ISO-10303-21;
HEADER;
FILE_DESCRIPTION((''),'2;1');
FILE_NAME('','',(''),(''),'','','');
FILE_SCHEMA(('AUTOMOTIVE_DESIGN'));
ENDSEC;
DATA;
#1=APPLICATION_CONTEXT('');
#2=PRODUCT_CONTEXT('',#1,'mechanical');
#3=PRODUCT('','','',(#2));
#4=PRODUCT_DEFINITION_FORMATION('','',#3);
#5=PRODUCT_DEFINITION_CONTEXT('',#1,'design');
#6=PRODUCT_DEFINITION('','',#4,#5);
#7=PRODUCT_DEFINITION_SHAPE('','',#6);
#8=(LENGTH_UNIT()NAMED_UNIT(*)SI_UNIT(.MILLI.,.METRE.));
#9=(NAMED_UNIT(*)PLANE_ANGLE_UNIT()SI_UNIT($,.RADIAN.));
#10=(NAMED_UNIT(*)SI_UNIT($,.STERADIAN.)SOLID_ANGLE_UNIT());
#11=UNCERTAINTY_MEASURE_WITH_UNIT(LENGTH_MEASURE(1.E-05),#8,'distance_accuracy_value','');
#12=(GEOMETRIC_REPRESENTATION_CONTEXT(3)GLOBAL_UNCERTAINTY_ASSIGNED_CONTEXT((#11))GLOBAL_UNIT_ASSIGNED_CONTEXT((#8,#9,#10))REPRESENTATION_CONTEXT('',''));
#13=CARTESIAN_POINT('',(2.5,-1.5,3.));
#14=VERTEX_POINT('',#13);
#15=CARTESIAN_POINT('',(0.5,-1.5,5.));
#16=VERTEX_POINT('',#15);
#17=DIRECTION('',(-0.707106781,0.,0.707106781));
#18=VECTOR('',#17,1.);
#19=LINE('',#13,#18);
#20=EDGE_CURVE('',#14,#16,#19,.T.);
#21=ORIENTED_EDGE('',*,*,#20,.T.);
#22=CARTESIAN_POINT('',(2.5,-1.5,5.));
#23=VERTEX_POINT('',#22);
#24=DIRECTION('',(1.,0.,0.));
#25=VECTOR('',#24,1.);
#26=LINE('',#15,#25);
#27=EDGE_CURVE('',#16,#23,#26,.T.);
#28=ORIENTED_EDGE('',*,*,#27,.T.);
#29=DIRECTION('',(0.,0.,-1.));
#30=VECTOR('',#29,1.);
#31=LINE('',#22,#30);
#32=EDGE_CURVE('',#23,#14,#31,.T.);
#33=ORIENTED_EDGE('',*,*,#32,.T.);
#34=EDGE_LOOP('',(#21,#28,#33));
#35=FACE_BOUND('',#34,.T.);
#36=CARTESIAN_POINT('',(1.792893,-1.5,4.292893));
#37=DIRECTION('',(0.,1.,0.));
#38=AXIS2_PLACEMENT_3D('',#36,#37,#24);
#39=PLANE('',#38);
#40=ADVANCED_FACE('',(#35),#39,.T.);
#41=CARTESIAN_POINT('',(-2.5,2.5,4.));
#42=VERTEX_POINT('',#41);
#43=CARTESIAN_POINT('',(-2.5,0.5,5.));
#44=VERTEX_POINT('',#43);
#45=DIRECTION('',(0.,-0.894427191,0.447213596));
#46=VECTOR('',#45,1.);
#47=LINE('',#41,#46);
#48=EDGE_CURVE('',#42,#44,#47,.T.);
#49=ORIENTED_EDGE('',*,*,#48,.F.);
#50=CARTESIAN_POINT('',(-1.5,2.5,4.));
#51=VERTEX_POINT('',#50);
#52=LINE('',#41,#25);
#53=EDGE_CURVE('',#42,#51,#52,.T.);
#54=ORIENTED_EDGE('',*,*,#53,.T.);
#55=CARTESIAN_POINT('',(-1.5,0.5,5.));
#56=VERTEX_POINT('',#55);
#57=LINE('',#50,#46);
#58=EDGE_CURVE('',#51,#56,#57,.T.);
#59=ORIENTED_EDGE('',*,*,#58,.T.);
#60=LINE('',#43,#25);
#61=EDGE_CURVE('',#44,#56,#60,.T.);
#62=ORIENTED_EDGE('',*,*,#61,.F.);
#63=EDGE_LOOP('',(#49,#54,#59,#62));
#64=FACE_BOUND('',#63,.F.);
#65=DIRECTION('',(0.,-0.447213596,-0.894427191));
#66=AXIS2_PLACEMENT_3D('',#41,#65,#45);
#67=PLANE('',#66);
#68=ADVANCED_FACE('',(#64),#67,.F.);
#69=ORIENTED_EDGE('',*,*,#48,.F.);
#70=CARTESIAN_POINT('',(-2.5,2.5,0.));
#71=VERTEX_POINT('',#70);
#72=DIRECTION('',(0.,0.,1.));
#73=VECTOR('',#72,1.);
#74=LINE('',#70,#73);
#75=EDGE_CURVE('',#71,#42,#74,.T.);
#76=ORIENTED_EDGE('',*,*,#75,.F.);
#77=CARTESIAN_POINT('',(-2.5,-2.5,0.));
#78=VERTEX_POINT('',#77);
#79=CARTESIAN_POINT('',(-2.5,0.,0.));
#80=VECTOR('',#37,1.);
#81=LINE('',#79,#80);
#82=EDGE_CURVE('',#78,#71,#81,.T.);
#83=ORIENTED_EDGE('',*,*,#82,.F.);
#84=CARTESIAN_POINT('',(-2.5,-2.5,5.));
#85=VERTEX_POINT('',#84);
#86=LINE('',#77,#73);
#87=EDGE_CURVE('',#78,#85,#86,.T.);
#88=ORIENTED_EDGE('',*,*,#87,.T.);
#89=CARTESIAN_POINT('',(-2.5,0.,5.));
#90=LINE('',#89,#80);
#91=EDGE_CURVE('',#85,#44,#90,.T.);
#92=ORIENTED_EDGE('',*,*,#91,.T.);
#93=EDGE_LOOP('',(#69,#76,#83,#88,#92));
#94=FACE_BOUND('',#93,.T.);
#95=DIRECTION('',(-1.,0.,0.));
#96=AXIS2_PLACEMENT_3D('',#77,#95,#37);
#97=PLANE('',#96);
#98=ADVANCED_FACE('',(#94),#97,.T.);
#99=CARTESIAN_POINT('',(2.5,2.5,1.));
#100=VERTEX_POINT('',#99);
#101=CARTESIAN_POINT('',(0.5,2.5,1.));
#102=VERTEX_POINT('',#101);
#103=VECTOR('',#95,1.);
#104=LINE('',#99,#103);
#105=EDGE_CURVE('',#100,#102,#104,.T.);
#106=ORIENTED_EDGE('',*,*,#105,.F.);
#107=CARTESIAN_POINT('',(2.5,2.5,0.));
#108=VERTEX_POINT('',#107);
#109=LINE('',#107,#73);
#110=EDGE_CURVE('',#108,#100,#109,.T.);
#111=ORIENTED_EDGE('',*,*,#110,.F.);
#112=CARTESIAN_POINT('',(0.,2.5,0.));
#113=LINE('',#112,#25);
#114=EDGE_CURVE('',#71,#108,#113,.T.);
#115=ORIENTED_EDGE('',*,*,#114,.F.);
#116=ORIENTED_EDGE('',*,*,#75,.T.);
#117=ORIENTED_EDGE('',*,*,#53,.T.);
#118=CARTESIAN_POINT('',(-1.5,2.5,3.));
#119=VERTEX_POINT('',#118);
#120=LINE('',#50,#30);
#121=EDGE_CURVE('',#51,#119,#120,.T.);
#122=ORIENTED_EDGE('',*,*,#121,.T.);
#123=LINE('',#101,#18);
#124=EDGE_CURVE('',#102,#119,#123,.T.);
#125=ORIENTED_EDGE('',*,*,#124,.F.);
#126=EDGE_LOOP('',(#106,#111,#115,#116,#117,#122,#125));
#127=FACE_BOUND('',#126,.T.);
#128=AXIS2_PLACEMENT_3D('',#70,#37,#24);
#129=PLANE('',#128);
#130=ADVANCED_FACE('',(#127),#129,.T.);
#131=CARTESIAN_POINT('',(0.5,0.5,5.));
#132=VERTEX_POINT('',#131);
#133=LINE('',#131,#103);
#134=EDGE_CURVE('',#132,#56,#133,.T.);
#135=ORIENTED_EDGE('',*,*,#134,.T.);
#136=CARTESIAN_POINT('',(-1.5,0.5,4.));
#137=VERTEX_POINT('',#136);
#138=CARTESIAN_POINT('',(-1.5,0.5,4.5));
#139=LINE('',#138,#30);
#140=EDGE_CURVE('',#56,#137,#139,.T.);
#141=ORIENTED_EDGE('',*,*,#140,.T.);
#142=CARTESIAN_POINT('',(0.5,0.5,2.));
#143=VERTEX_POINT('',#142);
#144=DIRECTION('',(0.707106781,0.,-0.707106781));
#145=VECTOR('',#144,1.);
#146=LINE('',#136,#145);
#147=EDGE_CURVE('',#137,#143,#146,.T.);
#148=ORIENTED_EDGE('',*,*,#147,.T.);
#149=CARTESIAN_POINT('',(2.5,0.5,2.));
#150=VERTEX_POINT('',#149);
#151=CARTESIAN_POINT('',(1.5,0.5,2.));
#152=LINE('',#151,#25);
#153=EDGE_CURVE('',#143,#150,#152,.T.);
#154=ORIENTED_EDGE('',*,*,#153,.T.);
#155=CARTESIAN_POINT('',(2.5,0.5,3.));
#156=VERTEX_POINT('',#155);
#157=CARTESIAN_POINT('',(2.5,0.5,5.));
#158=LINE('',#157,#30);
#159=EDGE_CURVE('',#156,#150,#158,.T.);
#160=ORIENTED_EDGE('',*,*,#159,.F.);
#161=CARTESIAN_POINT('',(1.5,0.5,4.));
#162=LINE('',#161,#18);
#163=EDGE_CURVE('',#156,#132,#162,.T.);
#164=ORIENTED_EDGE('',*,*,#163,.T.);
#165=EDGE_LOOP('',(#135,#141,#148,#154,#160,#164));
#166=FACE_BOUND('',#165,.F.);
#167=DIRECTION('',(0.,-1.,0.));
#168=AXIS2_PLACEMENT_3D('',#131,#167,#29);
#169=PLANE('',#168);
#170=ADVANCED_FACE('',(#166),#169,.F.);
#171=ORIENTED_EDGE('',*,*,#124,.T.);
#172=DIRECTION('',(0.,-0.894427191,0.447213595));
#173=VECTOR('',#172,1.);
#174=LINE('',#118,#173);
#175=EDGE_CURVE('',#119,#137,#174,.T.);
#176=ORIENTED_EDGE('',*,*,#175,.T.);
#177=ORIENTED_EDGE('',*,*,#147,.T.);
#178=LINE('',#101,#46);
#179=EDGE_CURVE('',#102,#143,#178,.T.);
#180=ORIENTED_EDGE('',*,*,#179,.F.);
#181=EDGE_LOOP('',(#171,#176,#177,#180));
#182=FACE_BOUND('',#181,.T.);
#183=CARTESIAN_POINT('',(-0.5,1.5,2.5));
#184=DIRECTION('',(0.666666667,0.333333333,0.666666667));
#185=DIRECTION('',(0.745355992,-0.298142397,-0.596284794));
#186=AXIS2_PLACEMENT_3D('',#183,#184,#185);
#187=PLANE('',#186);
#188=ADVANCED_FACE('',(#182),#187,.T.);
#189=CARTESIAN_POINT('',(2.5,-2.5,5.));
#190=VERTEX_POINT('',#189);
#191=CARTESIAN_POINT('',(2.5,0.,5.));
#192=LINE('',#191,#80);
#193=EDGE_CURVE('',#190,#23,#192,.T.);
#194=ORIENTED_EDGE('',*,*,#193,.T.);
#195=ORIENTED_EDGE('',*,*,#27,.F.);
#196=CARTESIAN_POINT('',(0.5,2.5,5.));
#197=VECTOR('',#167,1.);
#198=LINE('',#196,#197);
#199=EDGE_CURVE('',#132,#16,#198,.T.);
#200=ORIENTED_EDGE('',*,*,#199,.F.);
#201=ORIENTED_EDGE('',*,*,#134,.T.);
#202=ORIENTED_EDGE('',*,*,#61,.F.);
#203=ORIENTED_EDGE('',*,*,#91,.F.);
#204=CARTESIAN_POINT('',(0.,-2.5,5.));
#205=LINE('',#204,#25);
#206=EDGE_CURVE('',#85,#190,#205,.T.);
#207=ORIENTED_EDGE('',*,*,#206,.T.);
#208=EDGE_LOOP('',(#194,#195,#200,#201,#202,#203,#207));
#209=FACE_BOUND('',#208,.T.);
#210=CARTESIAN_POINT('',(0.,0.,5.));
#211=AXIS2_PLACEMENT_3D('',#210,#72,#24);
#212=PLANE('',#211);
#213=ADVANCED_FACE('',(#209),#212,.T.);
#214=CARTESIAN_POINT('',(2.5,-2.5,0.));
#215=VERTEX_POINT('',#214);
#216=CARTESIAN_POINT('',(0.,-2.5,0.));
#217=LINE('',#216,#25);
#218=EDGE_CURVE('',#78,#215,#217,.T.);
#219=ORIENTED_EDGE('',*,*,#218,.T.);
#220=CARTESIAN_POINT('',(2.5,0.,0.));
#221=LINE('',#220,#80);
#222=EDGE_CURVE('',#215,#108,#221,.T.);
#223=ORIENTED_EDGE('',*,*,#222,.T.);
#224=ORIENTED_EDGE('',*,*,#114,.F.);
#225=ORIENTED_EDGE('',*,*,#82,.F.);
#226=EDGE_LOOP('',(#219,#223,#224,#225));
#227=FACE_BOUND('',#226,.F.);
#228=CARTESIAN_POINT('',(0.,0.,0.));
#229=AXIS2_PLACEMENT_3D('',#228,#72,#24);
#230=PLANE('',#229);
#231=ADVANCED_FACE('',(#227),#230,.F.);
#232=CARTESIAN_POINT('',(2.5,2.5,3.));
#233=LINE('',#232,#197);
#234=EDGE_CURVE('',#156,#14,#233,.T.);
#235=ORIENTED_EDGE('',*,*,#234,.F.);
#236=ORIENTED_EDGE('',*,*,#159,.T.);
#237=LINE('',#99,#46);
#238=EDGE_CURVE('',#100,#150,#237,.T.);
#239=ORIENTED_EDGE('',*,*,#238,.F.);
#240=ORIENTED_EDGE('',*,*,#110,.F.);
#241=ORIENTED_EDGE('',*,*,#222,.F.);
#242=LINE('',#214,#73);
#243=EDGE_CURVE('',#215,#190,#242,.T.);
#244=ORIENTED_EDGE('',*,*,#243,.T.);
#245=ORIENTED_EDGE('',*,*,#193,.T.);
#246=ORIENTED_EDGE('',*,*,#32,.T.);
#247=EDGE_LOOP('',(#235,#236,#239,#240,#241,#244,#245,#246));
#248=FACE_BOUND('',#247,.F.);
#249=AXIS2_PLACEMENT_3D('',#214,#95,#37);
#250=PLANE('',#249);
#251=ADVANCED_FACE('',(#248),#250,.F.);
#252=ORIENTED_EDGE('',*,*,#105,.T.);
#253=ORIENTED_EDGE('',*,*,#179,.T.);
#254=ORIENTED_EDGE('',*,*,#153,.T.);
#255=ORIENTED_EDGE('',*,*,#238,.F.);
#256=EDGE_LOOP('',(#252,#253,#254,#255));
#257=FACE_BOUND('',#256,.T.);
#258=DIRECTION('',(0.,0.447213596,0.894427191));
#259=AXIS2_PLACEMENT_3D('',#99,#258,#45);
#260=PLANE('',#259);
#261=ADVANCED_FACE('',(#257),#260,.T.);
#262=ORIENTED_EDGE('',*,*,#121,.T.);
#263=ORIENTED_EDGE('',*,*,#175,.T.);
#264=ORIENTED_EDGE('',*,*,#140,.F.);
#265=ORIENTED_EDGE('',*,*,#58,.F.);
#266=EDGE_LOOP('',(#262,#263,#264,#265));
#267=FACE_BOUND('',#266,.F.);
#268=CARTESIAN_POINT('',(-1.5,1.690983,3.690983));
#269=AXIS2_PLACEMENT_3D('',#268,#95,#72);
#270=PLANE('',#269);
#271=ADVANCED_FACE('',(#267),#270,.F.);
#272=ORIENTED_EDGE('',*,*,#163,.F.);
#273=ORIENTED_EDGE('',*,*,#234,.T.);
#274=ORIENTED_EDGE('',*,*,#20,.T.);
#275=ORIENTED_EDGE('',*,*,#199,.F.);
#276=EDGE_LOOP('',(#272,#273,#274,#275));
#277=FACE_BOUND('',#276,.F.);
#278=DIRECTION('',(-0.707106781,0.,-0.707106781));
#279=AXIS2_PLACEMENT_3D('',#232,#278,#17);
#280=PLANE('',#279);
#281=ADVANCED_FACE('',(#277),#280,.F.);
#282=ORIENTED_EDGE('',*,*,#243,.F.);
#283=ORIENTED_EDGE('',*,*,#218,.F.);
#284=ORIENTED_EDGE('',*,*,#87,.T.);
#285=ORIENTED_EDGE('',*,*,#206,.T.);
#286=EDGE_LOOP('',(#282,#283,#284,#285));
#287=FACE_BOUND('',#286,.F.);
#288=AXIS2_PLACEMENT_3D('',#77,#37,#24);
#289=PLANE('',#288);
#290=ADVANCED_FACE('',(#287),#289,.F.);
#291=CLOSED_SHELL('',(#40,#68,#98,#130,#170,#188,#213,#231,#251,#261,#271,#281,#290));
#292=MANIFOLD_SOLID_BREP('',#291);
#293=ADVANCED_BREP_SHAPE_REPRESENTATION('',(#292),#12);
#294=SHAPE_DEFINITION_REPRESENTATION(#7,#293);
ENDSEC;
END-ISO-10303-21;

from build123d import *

# Parameters (mm, degrees)
SKETCH1_W           = 5
SKETCH1_H           = 5
BOSS_EXTRUDE1_DEPTH = 5
CUT_EXTRUDE1_DEPTH  = 4
CUT_EXTRUDE2_DEPTH  = 1
SKETCH5_W           = 2
SKETCH5_H           = 2
CUT_EXTRUDE9_DEPTH  = 3
CUT_EXTRUDE10_DEPTH = 2
SKETCH11_W          = 1
SKETCH11_H          = 2
CUT_EXTRUDE11_DEPTH = 2
CUT_EXTRUDE14_DEPTH = 5
CUT_EXTRUDE15_DEPTH = 2
CUT_EXTRUDE16_DEPTH = 2


with BuildPart() as part:
    # Sketch1 → Boss-Extrude1 (new body)
    with BuildSketch(Plane.XY):
        Rectangle(SKETCH1_W, SKETCH1_H)
    extrude(amount=BOSS_EXTRUDE1_DEPTH)

    # Sketch2 → Cut-Extrude1 (cut)
    with BuildSketch(Plane(origin=(0, 2.5, 0), x_dir=(1, 0, 0), z_dir=(0, 1, 0))):
        Polygon((2.5, -5), (2.5, -3), (0.5, -5), align=None)
    extrude(amount=-CUT_EXTRUDE1_DEPTH, mode=Mode.SUBTRACT)

    # Sketch4 → Cut-Extrude2 (cut)
    with BuildSketch(Plane.ZY.offset(2.5)):
        Polygon((5, 2.5), (4, 2.5), (5, 0.5), align=None)
    extrude(amount=-CUT_EXTRUDE2_DEPTH, mode=Mode.SUBTRACT)

    # Sketch5 → Cut-Extrude9 (cut)
    with BuildSketch(Plane.XY.offset(5)):
        with Locations((1.5, 1.5)):
            Rectangle(SKETCH5_W, SKETCH5_H)
    extrude(amount=-CUT_EXTRUDE9_DEPTH, mode=Mode.SUBTRACT)

    # Sketch10 → Cut-Extrude10 (cut)
    with BuildSketch(Plane(origin=(2.5, 0, 0), x_dir=(0, 0, -1), z_dir=(1, 0, 0))):
        Polygon((-1, 2.5), (-2, 0.5), (-2, 2.5), align=None)
    extrude(amount=-CUT_EXTRUDE10_DEPTH, mode=Mode.SUBTRACT)

    # Sketch11 → Cut-Extrude11 (cut)
    with BuildSketch(Plane(origin=(0.5, 0, 0), x_dir=(0, 0, -1), z_dir=(1, 0, 0))):
        with Locations((-4.5, 1.5)):
            Rectangle(SKETCH11_W, SKETCH11_H)
    extrude(amount=-CUT_EXTRUDE11_DEPTH, mode=Mode.SUBTRACT)

    # Sketch16 → Cut-Extrude14 (cut, through all)
    with BuildSketch(Plane(origin=(1.222222222, 0.611111111, 1.222222222), x_dir=(-0.745355992, 0.298142397, 0.596284794), z_dir=(-0.666666667, -0.333333333, -0.666666667))):
        Polygon((0.96896279, -0.447213595), (0.96896279, 1.788854382), (3.652244363, 0.894427191), (3.652244363, -1.341640786), align=None)
    extrude(amount=-CUT_EXTRUDE14_DEPTH, mode=Mode.SUBTRACT)

    # Sketch17 → Cut-Extrude15 (cut)
    with BuildSketch(Plane(origin=(-1.5, 0, 0), x_dir=(0, 0, -1), z_dir=(1, 0, 0))):
        Polygon((-3, 2.5), (-4, 0.5), (-4, 2.5), align=None)
    extrude(amount=CUT_EXTRUDE15_DEPTH, mode=Mode.SUBTRACT)

    # Sketch18 → Cut-Extrude16 (cut)
    with BuildSketch(Plane(origin=(0, 0.5, 0), x_dir=(1, 0, 0), z_dir=(0, 1, 0))):
        Polygon((0.5, -4), (0.5, -2), (-1.5, -4), align=None)
    extrude(amount=CUT_EXTRUDE16_DEPTH, mode=Mode.SUBTRACT)


solid = part.part
